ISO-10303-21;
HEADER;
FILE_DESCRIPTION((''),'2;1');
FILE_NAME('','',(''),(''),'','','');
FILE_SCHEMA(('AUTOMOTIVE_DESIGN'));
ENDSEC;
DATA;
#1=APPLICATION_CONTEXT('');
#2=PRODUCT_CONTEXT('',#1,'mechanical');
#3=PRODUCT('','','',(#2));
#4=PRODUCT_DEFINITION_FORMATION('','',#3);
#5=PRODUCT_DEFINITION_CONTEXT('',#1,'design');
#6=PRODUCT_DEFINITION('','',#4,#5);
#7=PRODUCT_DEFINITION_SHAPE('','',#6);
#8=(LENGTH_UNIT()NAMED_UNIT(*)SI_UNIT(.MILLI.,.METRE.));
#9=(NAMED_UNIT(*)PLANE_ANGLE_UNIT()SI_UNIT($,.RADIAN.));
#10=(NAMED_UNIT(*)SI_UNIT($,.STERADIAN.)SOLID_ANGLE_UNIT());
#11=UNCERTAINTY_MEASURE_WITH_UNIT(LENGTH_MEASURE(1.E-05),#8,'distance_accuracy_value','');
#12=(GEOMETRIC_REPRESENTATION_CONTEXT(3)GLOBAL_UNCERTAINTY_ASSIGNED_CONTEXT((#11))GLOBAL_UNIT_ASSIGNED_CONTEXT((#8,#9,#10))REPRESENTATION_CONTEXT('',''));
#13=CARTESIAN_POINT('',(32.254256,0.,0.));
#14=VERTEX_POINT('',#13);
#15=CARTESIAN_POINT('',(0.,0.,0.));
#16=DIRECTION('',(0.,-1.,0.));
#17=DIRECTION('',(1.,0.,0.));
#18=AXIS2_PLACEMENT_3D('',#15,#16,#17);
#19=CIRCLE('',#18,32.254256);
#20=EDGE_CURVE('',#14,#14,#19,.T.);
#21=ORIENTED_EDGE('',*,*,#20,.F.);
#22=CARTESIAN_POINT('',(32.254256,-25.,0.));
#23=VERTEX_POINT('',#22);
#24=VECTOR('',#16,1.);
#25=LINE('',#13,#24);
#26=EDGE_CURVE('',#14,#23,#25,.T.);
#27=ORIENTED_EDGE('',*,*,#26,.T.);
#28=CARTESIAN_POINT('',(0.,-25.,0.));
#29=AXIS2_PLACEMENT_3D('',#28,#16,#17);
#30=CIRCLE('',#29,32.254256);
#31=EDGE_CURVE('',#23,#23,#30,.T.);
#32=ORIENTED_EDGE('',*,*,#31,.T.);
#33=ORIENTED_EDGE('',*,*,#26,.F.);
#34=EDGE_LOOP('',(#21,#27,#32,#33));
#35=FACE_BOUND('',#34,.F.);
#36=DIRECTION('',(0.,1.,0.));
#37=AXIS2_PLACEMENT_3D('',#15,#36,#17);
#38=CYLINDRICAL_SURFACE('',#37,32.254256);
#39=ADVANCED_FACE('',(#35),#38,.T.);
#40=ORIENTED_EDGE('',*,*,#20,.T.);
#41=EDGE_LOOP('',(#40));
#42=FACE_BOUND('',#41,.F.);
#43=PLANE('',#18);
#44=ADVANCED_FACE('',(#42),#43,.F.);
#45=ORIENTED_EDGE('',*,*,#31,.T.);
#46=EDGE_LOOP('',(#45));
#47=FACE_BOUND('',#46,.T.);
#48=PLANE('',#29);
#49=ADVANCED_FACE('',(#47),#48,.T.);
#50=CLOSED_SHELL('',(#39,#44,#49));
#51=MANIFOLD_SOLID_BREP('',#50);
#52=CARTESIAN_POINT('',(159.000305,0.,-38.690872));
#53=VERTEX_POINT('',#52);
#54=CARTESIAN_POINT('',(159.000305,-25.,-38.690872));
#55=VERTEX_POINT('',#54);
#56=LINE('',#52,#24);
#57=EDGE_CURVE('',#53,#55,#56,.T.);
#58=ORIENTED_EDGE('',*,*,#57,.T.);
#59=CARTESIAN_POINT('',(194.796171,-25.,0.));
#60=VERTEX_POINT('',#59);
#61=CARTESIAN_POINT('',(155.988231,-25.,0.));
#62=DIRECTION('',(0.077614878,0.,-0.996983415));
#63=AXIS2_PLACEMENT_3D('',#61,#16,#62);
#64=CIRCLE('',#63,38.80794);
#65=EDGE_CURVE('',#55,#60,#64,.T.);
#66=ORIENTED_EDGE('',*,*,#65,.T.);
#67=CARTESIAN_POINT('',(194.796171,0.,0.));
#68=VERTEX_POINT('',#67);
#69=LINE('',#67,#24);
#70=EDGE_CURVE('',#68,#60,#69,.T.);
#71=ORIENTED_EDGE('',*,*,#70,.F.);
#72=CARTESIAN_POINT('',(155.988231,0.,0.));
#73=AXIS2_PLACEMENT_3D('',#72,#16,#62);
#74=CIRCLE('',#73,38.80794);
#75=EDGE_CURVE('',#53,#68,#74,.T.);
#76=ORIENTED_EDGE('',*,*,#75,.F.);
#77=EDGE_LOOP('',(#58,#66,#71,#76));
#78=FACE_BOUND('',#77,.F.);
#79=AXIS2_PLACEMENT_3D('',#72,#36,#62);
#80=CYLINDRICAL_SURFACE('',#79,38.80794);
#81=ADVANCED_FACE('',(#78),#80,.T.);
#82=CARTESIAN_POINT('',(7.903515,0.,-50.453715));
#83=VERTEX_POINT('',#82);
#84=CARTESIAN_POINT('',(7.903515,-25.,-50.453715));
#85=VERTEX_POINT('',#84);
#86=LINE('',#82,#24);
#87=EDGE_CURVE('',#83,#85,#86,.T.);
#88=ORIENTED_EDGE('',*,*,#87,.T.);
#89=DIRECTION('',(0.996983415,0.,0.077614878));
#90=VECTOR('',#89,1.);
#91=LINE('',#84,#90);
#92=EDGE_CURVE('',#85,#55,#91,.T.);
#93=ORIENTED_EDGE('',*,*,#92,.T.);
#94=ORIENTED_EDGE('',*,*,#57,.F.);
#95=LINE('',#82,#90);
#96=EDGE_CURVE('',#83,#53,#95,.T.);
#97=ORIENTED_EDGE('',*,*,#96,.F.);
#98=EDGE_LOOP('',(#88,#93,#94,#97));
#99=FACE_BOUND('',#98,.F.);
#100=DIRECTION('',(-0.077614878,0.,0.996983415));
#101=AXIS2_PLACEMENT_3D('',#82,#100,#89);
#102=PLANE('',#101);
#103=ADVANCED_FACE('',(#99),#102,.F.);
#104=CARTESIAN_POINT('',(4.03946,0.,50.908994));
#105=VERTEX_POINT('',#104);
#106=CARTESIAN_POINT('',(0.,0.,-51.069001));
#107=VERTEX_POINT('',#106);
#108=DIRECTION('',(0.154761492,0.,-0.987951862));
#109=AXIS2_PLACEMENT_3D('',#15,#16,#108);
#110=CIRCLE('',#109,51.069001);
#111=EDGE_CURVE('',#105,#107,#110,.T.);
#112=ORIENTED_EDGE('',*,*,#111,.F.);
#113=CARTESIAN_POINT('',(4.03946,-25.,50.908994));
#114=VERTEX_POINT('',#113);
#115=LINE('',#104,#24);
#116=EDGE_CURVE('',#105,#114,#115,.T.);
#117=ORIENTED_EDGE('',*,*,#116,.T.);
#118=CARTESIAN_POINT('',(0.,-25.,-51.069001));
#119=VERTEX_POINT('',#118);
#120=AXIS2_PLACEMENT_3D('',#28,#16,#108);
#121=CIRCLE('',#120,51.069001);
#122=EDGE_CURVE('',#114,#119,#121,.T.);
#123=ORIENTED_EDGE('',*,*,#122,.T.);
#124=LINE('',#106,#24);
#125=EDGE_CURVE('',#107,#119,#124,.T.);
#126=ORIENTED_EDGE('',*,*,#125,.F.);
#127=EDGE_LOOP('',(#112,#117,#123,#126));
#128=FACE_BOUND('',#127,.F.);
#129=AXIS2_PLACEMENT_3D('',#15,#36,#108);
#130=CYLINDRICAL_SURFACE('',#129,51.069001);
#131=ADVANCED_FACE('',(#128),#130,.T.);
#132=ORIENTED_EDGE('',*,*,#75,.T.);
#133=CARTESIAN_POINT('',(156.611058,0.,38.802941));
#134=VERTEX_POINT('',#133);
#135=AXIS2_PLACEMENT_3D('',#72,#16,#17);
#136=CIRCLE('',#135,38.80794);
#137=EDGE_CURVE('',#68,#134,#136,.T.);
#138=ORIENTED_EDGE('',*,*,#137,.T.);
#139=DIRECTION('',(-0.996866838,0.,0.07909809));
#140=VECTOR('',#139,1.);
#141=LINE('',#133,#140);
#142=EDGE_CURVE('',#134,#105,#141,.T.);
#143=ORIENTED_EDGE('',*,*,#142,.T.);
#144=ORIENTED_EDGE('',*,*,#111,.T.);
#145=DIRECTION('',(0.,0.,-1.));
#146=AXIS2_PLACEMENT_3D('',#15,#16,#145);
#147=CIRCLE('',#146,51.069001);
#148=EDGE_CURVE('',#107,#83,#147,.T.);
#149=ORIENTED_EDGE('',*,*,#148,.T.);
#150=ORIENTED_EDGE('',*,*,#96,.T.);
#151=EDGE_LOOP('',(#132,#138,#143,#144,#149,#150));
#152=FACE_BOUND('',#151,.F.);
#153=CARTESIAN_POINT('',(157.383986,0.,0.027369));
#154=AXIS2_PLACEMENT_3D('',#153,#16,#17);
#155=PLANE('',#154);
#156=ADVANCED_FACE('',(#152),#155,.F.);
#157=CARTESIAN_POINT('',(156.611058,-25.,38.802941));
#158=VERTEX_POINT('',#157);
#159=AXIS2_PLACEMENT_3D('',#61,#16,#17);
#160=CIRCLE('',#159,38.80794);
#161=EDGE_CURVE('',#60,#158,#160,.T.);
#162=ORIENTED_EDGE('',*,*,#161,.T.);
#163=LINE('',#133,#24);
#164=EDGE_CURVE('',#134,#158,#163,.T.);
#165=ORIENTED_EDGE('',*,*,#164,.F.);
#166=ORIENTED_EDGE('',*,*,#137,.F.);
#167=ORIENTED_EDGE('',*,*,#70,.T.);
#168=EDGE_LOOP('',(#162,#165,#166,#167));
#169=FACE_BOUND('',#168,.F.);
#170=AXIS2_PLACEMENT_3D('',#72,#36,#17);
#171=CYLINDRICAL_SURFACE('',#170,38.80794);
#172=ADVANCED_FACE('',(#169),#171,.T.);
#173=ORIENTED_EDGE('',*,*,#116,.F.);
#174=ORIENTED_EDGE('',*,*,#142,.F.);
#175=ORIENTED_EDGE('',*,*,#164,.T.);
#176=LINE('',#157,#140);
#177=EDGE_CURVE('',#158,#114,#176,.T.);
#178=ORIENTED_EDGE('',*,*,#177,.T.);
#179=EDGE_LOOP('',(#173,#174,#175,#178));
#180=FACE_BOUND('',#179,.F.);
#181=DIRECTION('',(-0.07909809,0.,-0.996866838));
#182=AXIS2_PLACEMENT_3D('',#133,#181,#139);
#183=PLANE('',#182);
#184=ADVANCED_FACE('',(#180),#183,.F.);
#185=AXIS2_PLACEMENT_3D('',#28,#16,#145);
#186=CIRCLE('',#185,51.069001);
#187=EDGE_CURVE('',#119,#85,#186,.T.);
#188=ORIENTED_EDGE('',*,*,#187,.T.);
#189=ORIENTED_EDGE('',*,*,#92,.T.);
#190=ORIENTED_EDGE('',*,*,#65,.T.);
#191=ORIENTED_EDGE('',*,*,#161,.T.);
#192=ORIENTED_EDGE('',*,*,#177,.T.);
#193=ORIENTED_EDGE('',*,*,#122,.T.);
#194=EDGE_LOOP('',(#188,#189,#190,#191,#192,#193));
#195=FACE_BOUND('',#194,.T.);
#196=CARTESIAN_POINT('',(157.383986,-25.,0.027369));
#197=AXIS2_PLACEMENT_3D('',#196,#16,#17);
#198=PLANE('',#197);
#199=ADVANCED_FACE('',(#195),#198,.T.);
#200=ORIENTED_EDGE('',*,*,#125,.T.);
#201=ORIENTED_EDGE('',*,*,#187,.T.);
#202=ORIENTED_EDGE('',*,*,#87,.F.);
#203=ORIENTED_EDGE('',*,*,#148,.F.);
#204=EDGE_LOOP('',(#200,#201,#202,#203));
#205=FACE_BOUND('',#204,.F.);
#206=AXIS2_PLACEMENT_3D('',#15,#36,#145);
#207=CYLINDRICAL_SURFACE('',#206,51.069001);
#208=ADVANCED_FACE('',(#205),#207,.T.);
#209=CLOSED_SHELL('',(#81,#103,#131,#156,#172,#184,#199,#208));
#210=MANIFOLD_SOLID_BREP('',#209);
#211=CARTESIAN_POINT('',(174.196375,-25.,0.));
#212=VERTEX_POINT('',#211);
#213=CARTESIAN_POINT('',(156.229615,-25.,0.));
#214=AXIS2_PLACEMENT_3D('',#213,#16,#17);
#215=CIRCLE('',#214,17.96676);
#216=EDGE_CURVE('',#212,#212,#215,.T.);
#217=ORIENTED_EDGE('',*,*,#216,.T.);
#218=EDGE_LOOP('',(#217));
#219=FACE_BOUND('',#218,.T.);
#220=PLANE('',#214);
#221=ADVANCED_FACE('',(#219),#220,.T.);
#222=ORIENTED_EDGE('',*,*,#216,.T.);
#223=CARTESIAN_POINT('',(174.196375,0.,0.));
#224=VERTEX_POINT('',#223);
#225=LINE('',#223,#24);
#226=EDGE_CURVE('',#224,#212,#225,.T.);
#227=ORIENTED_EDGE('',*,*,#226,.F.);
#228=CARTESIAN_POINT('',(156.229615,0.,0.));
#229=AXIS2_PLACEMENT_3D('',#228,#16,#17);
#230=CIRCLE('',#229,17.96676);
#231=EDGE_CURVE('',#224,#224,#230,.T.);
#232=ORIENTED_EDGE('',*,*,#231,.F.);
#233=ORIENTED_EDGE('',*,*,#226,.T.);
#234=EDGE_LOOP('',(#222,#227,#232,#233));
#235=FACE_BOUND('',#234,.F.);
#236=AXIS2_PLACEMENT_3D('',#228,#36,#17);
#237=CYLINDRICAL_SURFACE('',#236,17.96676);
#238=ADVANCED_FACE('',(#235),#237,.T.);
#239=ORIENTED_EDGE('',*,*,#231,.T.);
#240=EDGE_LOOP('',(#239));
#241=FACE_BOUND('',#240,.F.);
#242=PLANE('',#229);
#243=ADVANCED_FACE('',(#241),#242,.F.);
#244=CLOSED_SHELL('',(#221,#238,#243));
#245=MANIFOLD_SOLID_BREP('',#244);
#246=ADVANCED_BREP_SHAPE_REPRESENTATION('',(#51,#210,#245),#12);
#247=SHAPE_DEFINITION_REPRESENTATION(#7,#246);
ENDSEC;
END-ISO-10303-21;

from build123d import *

# Parameters (mm, degrees)
F2_DEPTH = 25
F1_R     = 17.9667597456
F1_R_2   = 32.2542560874


with BuildPart() as f2:
    # F0 (on Front) → F2 (new body)
    with BuildSketch(Plane.XZ):
        with BuildLine():
            ThreePointArc((194.7961708678, 0), (183.6489144795, 27.2202641338), (156.6110578322, 38.8029413899))
            ThreePointArc((156.6110578322, 38.8029413899), (117.1987235928, -1.1959369263), (159.0003047866, -38.690872137))
            ThreePointArc((159.0003047866, -38.690872137), (184.474618745, -26.3549218137), (194.7961708678, 0))
        make_face()
        with BuildLine():
            ThreePointArc((7.9035147854, -50.4537146304), (38.8050735772, -33.1995350967), (51.0690010277, 0))
            ThreePointArc((51.0690010277, 0), (37.5122251762, 34.6536553382), (4.0394604403, 50.9089935603))
            ThreePointArc((4.0394604403, 50.9089935603), (-51.028983482, 2.021314117), (0, -51.0690010277))
            Line((0, -51.0690010277), (7.9035147854, -50.4537146304))
        make_face()
        with BuildLine():
            ThreePointArc((4.0394604403, 50.9089935603), (37.5122251762, 34.6536553382), (51.0690010277, 0))
            ThreePointArc((51.0690010277, 0), (38.8050735772, -33.1995350967), (7.9035147854, -50.4537146304))
            Line((7.9035147854, -50.4537146304), (159.0003047866, -38.690872137))
            ThreePointArc((159.0003047866, -38.690872137), (117.1987235928, -1.1959369263), (156.6110578322, 38.8029413899))
            Line((156.6110578322, 38.8029413899), (4.0394604403, 50.9089935603))
        make_face()
        with BuildLine():
            ThreePointArc((0, -51.0690010277), (3.9637142718, -50.91494707), (7.9035147854, -50.4537146304))
            Line((7.9035147854, -50.4537146304), (0, -51.0690010277))
        make_face()
    extrude(amount=F2_DEPTH)


with BuildPart() as f2b:
    # F1 (on Front) → F2, piece 2 (new body)
    with BuildSketch(Plane.XZ):
        with Locations((156.2296152115, 0)):
            Circle(F1_R)
    extrude(amount=F2_DEPTH)


with BuildPart() as f2c:
    # F1 (on Front) → F2, piece 3 (new body)
    with BuildSketch(Plane.XZ):
        Circle(F1_R_2)
    extrude(amount=F2_DEPTH)


solid = Compound([f2.part, f2b.part, f2c.part])
